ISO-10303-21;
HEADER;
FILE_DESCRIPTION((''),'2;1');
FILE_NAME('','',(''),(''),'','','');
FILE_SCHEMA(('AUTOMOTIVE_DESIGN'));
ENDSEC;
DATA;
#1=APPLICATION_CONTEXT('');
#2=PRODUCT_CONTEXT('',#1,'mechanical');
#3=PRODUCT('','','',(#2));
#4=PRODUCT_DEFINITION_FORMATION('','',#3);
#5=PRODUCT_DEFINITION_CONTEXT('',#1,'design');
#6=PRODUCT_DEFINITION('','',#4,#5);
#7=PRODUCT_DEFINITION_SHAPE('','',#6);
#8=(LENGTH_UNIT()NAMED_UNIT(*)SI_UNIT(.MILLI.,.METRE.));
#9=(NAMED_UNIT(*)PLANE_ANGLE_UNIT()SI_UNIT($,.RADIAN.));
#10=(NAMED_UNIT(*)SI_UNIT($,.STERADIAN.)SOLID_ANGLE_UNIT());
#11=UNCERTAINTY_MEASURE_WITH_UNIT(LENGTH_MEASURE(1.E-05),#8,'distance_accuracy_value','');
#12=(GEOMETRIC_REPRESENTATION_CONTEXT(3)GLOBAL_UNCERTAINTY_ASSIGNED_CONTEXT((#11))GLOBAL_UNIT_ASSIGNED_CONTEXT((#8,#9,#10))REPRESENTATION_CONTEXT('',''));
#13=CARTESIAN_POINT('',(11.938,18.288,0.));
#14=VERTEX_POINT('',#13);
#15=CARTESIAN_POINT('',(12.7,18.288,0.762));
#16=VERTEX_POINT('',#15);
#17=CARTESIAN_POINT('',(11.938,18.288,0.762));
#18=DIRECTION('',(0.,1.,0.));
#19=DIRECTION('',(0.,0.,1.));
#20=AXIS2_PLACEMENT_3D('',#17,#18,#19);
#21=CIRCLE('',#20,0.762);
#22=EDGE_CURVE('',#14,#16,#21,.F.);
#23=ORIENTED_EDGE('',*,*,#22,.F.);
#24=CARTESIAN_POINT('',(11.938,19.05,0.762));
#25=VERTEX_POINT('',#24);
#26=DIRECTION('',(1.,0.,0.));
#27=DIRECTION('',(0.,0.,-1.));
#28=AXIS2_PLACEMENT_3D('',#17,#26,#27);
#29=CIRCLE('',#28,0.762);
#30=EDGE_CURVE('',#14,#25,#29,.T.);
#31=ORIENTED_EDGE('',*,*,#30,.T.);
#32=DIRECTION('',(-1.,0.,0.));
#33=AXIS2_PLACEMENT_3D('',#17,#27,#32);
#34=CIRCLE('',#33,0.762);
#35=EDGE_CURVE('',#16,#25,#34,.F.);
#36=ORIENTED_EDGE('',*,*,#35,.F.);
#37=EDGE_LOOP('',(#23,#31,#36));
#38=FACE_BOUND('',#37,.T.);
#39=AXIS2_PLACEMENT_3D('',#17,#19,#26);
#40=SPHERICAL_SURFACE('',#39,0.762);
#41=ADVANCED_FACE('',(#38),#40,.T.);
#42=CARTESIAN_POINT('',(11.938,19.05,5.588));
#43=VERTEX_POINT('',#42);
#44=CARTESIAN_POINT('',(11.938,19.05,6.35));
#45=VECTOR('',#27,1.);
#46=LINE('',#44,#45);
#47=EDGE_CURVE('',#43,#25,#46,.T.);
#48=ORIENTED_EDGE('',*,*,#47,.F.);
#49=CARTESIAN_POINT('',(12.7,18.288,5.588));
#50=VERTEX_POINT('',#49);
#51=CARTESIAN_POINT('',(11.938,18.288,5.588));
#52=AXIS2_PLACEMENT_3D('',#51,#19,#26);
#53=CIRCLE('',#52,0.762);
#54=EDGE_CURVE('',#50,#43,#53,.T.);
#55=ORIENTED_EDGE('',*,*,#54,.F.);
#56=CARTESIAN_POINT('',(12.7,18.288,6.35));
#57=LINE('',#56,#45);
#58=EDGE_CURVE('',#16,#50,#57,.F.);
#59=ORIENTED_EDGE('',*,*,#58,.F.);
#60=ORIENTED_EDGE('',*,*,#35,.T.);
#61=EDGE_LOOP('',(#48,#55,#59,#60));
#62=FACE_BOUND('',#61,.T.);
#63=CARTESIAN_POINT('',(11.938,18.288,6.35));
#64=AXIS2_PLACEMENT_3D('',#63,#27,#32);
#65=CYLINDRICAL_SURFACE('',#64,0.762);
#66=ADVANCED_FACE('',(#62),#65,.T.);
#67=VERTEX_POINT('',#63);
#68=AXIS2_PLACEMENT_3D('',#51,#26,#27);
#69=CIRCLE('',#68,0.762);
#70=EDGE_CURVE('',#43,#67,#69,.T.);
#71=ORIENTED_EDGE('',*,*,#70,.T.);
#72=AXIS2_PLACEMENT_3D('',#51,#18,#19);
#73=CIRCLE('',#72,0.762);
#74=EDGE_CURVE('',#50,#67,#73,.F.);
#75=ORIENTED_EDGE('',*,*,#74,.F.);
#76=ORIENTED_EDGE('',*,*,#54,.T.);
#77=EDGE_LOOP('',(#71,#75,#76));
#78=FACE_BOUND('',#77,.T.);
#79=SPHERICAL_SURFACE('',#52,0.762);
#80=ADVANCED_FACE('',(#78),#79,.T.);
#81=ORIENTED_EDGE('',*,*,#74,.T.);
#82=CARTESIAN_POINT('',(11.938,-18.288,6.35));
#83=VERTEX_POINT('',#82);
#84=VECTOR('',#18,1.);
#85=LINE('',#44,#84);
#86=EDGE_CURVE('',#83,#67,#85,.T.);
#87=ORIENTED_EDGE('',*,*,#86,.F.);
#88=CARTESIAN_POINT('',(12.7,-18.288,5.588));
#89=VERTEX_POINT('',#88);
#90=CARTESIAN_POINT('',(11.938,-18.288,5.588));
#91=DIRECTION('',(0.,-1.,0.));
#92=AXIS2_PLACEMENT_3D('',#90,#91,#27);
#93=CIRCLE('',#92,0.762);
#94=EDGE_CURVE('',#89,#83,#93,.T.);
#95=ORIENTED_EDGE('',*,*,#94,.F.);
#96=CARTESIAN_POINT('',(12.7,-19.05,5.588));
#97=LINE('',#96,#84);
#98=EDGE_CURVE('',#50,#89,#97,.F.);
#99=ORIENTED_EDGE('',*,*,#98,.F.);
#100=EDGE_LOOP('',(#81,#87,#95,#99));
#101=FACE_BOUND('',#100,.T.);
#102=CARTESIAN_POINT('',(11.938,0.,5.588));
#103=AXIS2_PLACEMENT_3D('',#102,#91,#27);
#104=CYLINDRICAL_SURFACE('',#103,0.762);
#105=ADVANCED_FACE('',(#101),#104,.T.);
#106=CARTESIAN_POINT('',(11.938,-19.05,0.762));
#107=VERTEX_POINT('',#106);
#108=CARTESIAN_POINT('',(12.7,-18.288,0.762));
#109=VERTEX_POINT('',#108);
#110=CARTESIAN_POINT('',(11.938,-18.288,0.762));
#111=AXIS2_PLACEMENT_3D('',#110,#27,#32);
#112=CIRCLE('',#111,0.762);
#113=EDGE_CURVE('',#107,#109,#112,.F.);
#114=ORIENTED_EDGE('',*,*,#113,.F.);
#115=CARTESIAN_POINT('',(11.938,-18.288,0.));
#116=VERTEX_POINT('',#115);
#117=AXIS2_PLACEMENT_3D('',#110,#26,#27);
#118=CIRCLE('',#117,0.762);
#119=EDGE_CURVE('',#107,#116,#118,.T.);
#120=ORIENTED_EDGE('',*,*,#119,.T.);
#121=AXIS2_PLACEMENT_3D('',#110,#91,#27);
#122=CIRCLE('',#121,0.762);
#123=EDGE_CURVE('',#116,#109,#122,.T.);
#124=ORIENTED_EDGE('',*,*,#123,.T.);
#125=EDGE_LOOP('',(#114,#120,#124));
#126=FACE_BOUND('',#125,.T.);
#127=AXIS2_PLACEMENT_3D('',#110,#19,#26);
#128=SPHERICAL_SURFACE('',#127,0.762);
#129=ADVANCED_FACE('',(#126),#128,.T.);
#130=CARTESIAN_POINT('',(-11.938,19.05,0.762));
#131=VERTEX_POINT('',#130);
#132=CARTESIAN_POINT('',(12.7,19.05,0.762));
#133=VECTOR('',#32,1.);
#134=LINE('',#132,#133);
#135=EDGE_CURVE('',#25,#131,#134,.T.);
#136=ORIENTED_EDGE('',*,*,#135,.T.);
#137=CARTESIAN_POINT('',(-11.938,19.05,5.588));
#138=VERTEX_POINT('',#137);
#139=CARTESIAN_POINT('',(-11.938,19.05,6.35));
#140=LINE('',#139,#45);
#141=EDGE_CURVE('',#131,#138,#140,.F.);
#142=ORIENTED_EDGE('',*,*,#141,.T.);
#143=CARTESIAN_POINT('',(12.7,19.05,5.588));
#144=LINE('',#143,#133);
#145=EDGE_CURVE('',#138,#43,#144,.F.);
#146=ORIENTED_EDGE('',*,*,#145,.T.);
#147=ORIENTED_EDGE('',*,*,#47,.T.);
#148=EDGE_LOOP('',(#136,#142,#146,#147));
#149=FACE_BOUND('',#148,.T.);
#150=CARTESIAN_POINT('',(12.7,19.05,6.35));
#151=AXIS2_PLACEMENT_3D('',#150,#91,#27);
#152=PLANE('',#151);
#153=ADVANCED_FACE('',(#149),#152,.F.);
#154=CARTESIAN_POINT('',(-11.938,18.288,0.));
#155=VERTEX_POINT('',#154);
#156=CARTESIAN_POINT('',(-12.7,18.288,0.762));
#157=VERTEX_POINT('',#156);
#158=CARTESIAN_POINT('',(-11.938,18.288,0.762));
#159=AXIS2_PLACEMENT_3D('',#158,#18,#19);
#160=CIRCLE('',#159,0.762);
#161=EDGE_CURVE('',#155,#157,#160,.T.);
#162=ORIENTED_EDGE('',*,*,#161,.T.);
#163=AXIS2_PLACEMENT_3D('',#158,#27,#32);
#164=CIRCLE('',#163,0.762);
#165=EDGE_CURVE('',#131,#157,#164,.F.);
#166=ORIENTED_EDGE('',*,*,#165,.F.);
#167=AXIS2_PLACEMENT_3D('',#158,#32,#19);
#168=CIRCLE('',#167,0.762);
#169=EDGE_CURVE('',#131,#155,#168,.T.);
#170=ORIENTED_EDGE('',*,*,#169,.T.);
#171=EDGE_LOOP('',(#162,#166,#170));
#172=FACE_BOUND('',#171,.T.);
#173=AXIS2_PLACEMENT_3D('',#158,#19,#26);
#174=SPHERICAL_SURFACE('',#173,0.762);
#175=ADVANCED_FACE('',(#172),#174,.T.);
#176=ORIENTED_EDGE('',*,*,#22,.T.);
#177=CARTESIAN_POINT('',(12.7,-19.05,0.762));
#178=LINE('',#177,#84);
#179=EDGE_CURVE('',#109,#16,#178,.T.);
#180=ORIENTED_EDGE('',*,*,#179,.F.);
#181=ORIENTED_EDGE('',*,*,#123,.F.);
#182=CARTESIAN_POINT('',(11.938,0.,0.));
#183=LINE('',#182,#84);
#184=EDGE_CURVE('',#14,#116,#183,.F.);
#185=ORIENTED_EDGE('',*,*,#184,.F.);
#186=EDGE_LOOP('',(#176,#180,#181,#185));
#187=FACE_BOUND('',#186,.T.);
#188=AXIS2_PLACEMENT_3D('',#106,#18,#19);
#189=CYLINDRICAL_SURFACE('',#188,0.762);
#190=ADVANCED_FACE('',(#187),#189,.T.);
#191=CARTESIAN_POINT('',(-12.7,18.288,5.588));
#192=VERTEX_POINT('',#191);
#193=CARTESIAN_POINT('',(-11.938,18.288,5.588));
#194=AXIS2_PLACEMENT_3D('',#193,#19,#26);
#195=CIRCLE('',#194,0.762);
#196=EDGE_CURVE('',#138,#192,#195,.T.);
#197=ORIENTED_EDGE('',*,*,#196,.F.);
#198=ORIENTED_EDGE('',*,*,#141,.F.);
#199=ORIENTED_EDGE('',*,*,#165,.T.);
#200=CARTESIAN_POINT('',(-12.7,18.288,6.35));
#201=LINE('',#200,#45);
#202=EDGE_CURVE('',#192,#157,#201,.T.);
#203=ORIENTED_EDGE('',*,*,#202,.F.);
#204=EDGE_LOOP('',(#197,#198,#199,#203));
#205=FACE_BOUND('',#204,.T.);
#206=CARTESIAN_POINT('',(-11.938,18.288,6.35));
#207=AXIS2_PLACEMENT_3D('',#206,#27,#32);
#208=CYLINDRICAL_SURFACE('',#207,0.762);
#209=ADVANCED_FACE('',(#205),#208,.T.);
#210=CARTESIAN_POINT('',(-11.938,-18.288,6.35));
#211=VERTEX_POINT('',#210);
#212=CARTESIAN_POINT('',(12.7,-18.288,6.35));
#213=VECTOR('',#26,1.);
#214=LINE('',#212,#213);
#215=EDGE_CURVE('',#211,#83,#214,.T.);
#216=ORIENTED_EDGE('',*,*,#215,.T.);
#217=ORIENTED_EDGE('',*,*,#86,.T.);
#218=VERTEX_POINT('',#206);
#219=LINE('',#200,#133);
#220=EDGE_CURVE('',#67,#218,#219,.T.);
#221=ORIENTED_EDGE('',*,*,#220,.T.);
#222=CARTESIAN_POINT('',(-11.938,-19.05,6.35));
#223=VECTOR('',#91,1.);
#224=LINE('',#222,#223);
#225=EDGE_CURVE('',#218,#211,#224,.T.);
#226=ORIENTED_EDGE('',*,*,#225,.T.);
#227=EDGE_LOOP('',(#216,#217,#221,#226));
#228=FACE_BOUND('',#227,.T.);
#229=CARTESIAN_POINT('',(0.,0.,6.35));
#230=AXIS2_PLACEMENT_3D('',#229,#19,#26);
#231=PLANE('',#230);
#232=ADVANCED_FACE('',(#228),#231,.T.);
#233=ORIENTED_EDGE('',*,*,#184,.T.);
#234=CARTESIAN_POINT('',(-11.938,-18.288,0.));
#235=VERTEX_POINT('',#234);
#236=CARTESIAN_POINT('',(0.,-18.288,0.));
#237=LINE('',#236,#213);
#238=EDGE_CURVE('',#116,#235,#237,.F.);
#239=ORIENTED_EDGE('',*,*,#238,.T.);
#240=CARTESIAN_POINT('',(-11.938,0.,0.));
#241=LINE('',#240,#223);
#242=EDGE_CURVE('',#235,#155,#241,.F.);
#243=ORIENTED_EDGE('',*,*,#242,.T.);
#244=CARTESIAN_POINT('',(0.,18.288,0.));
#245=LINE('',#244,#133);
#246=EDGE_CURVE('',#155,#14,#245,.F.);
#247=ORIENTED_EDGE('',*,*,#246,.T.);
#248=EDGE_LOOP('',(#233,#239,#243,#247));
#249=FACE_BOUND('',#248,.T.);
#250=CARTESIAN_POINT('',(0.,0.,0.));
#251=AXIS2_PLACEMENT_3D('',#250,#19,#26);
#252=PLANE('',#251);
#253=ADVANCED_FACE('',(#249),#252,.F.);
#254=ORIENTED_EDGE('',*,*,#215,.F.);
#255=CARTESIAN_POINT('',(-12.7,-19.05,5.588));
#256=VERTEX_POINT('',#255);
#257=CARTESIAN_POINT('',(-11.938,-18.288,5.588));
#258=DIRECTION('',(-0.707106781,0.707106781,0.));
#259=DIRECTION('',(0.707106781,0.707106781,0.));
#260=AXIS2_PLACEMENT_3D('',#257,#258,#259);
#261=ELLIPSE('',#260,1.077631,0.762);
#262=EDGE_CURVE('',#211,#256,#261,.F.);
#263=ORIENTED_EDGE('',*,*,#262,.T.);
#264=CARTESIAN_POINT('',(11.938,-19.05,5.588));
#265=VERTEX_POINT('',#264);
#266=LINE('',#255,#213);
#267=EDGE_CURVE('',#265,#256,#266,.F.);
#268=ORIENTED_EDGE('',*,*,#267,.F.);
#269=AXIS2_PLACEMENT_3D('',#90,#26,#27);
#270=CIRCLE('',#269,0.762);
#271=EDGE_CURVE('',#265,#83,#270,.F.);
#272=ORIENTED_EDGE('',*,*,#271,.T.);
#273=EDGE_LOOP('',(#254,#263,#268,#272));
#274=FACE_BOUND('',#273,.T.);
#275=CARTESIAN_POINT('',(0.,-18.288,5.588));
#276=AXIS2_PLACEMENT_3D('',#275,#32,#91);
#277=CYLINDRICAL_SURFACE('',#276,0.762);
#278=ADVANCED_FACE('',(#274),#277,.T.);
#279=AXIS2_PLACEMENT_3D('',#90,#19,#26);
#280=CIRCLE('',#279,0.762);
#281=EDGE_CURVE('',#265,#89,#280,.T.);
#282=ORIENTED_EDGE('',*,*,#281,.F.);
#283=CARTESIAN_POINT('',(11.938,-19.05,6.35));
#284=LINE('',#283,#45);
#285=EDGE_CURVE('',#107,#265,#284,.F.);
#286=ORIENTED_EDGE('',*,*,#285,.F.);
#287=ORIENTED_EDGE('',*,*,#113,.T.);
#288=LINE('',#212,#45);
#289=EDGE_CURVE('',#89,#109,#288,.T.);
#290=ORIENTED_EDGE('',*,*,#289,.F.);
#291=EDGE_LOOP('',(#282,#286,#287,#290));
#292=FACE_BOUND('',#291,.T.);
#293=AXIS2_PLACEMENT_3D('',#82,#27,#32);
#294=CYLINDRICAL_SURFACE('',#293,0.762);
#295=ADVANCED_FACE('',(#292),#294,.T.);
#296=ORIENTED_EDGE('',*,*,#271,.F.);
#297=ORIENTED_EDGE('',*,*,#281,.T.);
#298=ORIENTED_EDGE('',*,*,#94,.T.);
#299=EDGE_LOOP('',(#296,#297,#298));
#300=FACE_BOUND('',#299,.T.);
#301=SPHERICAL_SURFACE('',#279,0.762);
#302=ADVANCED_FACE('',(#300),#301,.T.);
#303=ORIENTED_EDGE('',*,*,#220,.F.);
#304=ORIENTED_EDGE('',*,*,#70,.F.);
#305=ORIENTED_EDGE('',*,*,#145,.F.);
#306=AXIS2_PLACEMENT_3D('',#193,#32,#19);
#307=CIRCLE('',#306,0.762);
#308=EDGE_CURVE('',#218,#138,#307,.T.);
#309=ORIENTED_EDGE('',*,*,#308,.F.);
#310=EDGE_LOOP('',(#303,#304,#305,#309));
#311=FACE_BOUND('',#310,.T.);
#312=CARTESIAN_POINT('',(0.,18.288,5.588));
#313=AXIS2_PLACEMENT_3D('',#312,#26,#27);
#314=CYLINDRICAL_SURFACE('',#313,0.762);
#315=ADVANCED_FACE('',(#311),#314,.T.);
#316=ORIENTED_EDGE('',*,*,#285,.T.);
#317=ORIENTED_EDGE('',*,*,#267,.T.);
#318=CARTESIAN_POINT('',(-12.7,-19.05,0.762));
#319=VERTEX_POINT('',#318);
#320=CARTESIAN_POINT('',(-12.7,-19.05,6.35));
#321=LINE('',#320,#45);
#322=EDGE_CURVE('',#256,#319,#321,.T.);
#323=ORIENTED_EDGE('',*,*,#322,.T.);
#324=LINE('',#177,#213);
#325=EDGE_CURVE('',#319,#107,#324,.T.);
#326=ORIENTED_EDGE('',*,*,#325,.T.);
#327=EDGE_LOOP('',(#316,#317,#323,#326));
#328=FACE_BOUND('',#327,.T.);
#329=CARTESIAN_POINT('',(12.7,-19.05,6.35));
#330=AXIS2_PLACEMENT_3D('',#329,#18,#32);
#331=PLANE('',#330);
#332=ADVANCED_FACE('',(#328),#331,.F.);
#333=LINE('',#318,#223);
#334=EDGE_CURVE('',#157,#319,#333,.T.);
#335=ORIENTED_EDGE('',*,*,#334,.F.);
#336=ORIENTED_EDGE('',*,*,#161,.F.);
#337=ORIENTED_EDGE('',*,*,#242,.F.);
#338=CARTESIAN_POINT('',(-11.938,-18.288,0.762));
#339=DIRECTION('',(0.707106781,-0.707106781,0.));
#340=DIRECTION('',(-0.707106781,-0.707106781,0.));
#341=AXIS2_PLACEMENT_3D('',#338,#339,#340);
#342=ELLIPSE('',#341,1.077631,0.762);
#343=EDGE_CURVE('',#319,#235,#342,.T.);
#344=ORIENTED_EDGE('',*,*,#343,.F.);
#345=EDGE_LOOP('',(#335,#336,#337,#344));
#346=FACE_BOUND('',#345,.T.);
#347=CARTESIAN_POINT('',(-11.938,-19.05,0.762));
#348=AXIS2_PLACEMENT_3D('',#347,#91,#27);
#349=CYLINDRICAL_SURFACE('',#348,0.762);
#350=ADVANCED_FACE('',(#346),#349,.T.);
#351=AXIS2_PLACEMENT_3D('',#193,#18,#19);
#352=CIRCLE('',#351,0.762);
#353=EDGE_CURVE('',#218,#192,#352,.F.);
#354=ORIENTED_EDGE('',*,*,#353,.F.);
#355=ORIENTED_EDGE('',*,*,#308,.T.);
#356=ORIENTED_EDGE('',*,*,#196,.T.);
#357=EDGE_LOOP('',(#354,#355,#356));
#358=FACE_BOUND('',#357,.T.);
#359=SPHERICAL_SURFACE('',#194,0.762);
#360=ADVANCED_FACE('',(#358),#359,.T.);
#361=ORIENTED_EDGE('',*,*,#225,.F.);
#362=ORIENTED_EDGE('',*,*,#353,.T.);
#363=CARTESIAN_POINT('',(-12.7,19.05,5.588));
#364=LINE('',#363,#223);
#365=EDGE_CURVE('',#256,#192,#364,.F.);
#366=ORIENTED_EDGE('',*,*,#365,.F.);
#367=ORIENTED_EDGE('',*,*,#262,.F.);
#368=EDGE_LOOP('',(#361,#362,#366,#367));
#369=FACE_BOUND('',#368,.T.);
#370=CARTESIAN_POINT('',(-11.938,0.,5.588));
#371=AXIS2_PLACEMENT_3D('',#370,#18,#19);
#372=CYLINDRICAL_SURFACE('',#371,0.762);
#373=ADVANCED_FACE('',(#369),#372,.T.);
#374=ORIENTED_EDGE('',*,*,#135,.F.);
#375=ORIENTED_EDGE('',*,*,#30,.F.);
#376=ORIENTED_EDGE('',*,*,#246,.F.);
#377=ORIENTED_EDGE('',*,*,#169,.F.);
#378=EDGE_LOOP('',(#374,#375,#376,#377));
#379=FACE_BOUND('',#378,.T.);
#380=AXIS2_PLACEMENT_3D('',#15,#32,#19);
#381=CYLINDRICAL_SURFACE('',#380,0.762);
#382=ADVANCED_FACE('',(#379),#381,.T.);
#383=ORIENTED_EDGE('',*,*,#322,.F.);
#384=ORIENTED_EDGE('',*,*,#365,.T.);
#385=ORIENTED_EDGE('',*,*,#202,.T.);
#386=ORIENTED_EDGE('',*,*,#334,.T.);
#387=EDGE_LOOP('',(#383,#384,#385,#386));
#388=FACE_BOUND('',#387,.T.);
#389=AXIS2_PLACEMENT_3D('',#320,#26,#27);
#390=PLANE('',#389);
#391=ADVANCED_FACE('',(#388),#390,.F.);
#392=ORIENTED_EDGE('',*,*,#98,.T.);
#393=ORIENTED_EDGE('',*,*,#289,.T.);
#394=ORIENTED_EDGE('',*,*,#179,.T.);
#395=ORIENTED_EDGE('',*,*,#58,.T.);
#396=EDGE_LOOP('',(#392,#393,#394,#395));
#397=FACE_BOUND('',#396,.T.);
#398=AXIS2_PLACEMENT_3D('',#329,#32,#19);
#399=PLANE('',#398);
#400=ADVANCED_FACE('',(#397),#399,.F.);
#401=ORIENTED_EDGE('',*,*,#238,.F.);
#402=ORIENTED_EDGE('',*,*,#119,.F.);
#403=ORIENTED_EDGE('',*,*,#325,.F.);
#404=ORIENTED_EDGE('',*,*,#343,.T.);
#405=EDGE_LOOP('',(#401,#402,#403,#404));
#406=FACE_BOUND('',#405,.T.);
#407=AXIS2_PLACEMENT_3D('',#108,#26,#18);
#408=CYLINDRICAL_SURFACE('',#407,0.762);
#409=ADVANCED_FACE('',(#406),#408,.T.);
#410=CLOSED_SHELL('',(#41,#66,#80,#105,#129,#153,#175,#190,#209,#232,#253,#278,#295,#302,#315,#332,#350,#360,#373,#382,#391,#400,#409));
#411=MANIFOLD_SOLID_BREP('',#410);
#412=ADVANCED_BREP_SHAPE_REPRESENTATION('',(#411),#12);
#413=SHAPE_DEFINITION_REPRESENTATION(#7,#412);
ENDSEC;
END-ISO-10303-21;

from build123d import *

# Parameters (mm, degrees)
SKETCH1_W           = 25.4
SKETCH1_H           = 38.1
BOSS_EXTRUDE1_DEPTH = 6.35
FILLET1_R           = 0.762


with BuildPart() as part:
    # Sketch1 → Boss-Extrude1 (new body)
    with BuildSketch(Plane.XY):
        Rectangle(SKETCH1_W, SKETCH1_H)
    extrude(amount=BOSS_EXTRUDE1_DEPTH)

    # Fillet1
    fillet1_edges = [part.edges().sort_by_distance(p)[0] for p in [
        (12.7, 0, 6.35),
        (0, 19.05, 6.35),
        (-12.7, 0, 6.35),
        (0, 19.05, 0),
        (12.7, 0, 0),
        (0, -19.05, 0),
        (-12.7, 0, 0),
        (0, -19.05, 6.35),
        (-12.7, 19.05, 3.175),
        (12.7, 19.05, 3.175),
        (12.7, -19.05, 3.175),
    ]]
    fillet(fillet1_edges, radius=FILLET1_R)


solid = part.part
